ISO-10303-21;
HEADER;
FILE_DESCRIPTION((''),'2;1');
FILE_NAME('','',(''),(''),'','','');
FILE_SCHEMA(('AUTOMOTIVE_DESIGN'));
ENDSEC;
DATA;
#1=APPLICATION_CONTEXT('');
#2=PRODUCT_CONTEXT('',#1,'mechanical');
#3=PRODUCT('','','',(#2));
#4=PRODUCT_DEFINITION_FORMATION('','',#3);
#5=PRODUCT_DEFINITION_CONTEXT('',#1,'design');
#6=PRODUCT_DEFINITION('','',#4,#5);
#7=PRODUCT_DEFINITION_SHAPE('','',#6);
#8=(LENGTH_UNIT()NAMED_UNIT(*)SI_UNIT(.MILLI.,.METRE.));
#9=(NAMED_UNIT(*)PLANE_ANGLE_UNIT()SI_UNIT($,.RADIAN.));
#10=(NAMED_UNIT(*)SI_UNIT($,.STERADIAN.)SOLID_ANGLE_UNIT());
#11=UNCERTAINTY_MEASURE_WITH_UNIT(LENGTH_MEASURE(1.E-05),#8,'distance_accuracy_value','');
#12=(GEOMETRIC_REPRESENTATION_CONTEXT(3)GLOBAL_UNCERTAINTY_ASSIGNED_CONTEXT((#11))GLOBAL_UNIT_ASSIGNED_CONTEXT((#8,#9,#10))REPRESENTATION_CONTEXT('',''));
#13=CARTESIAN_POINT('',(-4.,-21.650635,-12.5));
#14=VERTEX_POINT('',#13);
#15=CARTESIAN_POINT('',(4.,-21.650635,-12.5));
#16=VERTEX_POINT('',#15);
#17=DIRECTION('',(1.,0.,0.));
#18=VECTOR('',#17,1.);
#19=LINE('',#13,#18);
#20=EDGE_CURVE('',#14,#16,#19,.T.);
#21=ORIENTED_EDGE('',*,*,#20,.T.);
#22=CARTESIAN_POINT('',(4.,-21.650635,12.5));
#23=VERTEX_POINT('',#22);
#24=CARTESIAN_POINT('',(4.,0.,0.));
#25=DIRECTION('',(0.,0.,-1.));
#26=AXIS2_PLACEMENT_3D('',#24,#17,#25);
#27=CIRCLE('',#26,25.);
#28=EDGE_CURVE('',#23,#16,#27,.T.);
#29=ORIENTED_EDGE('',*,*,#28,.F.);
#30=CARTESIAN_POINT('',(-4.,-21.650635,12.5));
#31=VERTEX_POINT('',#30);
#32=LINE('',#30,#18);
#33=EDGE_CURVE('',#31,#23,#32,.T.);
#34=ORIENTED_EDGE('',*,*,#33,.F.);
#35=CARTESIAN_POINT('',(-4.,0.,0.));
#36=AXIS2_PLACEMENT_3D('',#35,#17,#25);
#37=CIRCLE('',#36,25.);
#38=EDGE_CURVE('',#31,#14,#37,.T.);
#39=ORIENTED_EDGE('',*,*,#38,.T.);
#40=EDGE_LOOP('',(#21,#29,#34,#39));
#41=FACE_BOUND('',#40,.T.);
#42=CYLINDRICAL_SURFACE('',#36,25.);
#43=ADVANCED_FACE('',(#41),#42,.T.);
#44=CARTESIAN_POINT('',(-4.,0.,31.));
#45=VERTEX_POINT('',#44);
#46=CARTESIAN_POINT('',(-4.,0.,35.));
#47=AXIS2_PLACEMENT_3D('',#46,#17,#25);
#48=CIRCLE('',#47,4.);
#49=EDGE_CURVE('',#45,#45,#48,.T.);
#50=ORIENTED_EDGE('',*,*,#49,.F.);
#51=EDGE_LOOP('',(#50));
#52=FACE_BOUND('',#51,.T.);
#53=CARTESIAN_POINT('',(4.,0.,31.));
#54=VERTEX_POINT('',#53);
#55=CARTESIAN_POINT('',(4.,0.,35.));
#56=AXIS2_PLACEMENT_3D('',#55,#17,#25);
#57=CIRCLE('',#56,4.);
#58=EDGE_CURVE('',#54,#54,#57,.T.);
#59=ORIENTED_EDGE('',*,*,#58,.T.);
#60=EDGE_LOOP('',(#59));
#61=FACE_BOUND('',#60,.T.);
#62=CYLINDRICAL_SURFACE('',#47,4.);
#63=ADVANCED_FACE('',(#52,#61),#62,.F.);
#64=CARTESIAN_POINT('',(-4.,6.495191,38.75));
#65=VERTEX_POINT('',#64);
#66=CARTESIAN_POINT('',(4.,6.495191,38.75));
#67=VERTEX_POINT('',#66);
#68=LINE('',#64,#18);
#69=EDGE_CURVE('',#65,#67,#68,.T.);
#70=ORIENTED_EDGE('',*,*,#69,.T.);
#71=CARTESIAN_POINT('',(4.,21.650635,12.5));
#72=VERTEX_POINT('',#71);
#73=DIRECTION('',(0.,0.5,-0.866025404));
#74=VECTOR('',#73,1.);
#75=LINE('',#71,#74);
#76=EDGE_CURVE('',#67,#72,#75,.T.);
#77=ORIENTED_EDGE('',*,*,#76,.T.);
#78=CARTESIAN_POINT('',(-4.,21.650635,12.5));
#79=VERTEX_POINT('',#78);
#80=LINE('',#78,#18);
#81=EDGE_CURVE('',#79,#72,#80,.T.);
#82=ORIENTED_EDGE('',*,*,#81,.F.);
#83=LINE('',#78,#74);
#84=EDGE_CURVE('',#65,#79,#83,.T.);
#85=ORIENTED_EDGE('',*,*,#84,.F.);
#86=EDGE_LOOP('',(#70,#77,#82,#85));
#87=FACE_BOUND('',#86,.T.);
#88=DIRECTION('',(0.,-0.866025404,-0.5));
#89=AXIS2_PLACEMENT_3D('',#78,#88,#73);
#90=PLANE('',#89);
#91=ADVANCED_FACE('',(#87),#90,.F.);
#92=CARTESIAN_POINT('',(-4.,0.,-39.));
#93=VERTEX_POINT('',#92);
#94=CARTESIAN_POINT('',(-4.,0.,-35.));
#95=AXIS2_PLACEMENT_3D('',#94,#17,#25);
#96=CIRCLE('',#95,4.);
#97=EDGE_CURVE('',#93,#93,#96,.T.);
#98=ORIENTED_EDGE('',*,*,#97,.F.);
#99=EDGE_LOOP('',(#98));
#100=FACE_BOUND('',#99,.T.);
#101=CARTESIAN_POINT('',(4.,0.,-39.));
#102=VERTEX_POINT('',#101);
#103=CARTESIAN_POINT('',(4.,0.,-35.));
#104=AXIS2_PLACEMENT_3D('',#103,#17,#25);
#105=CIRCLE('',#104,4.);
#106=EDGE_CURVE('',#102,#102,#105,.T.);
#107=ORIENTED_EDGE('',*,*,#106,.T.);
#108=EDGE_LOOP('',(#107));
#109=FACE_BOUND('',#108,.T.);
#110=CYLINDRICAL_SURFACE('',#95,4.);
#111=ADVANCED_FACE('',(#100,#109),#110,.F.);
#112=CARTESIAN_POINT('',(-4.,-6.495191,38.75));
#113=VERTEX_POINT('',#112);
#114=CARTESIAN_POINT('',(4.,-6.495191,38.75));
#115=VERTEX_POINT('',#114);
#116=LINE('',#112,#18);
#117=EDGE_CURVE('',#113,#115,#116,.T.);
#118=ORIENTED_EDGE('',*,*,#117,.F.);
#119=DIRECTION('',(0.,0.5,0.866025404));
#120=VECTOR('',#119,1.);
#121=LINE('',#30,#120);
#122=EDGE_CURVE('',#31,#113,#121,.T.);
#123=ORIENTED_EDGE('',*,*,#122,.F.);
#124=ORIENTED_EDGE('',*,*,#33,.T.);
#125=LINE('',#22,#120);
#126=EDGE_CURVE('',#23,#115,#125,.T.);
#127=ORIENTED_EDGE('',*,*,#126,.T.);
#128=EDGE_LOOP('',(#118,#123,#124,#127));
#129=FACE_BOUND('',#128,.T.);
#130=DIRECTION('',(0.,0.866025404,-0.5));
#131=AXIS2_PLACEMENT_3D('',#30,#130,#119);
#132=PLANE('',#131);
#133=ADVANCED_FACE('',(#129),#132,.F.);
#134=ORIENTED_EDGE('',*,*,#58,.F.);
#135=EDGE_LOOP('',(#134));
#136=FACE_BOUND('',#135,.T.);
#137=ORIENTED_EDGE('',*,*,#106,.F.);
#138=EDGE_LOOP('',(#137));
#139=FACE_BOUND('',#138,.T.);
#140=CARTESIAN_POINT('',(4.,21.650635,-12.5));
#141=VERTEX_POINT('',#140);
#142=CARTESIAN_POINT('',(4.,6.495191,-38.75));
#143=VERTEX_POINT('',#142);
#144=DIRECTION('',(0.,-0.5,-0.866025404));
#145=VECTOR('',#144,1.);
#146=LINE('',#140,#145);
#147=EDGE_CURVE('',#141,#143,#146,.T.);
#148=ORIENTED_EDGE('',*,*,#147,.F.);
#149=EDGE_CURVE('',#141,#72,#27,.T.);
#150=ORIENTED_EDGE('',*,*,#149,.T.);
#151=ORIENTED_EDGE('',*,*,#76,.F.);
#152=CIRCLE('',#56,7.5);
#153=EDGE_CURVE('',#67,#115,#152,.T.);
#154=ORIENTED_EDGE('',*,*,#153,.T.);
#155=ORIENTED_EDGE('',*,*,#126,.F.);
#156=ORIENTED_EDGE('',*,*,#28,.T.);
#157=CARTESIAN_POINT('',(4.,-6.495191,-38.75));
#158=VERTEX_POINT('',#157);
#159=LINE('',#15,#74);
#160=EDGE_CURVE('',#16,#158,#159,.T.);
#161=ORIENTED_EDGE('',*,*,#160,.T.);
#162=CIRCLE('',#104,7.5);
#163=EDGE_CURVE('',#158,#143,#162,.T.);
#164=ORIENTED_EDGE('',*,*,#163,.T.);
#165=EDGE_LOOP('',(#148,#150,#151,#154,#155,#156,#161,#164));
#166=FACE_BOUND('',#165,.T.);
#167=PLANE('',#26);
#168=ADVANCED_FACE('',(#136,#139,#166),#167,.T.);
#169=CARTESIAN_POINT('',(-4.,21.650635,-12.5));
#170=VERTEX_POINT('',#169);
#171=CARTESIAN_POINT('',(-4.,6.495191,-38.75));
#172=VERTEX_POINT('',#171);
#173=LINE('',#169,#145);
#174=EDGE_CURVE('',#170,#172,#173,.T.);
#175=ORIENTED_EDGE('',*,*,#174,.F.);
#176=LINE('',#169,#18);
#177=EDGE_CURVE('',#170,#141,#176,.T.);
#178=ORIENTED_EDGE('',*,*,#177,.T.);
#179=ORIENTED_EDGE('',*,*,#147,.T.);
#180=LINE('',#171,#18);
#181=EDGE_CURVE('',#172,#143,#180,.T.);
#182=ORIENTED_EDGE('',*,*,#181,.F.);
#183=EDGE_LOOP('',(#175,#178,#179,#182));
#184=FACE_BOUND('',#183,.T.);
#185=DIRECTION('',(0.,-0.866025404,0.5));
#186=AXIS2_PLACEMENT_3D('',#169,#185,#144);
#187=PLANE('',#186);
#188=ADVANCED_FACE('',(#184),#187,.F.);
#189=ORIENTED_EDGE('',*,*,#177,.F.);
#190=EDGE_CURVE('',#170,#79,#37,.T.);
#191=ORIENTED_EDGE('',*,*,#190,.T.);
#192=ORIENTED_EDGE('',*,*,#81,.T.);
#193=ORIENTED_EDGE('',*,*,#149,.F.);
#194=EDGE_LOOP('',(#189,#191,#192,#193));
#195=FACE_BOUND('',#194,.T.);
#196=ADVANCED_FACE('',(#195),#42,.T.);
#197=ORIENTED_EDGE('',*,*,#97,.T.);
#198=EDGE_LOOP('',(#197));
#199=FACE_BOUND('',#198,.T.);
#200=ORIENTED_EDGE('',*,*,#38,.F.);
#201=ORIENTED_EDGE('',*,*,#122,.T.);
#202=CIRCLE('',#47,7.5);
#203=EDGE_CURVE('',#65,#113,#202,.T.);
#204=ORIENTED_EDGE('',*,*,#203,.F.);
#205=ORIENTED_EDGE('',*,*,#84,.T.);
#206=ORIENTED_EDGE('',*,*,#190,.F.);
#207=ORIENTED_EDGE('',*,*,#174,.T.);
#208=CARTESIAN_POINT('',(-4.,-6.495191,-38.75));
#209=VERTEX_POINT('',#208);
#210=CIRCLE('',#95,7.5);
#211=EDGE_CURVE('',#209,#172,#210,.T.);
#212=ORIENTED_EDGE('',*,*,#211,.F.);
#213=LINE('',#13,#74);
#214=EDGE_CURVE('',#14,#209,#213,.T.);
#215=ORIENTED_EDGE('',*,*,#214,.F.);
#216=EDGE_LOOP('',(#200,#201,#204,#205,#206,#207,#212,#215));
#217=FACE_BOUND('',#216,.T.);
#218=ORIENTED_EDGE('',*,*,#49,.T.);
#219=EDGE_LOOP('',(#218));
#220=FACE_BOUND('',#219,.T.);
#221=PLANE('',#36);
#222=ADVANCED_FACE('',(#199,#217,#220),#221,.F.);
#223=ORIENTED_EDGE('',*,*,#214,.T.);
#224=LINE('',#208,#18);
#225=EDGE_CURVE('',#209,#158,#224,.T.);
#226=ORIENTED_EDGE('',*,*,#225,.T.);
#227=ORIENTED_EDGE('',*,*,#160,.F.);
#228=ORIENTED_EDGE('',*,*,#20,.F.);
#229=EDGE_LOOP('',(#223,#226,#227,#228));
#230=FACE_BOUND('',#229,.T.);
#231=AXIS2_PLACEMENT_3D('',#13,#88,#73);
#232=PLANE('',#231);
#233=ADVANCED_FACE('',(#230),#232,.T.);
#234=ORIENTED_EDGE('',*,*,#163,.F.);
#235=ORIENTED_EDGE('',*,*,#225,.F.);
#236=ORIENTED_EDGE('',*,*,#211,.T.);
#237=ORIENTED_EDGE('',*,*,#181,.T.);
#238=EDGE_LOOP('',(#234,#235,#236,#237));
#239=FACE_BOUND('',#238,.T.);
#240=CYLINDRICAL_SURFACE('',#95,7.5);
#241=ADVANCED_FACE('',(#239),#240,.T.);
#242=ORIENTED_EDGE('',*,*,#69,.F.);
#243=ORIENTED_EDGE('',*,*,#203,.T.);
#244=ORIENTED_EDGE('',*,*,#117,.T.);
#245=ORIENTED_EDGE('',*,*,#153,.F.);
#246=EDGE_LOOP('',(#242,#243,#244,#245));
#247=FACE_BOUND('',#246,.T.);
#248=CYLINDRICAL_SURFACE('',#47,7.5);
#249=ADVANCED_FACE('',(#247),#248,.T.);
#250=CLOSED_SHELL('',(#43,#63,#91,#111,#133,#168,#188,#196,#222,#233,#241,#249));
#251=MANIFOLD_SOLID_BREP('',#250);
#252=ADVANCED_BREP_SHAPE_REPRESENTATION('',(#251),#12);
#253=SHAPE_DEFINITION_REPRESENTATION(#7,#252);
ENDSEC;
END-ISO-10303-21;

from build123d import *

# Parameters (mm, degrees)
BOSS_EXTRUDE1_DEPTH      = 4
BOSS_EXTRUDE1_DEPTH_BACK = 4
SKETCH1_R                = 4


with BuildPart() as part:
    # Sketch1 → Boss-Extrude1 (new, two sides: drawn at the far end of the back side and taken through both)
    with BuildSketch(Plane(origin=(0, 0, 0), x_dir=(0, 0, -1), z_dir=(1, 0, 0)).offset(-BOSS_EXTRUDE1_DEPTH_BACK)):
        with BuildLine():
            ThreePointArc((-38.75, 6.495190528), (-42.5, 0), (-38.75, -6.495190528))
            Line((-38.75, -6.495190528), (-12.5, -21.650635095))
            ThreePointArc((-12.5, -21.650635095), (0, -25), (12.5, -21.650635095))
            Line((12.5, -21.650635095), (38.75, -6.495190528))
            ThreePointArc((38.75, -6.495190528), (42.5, 0), (38.75, 6.495190528))
            Line((38.75, 6.495190528), (12.5, 21.650635095))
            ThreePointArc((12.5, 21.650635095), (0, 25), (-12.5, 21.650635095))
            Line((-12.5, 21.650635095), (-38.75, 6.495190528))
        make_face()
        with Locations((-35, 0)):
            Circle(SKETCH1_R, mode=Mode.SUBTRACT)
        with Locations((35, 0)):
            Circle(SKETCH1_R, mode=Mode.SUBTRACT)
    extrude(amount=BOSS_EXTRUDE1_DEPTH + BOSS_EXTRUDE1_DEPTH_BACK)


solid = part.part
